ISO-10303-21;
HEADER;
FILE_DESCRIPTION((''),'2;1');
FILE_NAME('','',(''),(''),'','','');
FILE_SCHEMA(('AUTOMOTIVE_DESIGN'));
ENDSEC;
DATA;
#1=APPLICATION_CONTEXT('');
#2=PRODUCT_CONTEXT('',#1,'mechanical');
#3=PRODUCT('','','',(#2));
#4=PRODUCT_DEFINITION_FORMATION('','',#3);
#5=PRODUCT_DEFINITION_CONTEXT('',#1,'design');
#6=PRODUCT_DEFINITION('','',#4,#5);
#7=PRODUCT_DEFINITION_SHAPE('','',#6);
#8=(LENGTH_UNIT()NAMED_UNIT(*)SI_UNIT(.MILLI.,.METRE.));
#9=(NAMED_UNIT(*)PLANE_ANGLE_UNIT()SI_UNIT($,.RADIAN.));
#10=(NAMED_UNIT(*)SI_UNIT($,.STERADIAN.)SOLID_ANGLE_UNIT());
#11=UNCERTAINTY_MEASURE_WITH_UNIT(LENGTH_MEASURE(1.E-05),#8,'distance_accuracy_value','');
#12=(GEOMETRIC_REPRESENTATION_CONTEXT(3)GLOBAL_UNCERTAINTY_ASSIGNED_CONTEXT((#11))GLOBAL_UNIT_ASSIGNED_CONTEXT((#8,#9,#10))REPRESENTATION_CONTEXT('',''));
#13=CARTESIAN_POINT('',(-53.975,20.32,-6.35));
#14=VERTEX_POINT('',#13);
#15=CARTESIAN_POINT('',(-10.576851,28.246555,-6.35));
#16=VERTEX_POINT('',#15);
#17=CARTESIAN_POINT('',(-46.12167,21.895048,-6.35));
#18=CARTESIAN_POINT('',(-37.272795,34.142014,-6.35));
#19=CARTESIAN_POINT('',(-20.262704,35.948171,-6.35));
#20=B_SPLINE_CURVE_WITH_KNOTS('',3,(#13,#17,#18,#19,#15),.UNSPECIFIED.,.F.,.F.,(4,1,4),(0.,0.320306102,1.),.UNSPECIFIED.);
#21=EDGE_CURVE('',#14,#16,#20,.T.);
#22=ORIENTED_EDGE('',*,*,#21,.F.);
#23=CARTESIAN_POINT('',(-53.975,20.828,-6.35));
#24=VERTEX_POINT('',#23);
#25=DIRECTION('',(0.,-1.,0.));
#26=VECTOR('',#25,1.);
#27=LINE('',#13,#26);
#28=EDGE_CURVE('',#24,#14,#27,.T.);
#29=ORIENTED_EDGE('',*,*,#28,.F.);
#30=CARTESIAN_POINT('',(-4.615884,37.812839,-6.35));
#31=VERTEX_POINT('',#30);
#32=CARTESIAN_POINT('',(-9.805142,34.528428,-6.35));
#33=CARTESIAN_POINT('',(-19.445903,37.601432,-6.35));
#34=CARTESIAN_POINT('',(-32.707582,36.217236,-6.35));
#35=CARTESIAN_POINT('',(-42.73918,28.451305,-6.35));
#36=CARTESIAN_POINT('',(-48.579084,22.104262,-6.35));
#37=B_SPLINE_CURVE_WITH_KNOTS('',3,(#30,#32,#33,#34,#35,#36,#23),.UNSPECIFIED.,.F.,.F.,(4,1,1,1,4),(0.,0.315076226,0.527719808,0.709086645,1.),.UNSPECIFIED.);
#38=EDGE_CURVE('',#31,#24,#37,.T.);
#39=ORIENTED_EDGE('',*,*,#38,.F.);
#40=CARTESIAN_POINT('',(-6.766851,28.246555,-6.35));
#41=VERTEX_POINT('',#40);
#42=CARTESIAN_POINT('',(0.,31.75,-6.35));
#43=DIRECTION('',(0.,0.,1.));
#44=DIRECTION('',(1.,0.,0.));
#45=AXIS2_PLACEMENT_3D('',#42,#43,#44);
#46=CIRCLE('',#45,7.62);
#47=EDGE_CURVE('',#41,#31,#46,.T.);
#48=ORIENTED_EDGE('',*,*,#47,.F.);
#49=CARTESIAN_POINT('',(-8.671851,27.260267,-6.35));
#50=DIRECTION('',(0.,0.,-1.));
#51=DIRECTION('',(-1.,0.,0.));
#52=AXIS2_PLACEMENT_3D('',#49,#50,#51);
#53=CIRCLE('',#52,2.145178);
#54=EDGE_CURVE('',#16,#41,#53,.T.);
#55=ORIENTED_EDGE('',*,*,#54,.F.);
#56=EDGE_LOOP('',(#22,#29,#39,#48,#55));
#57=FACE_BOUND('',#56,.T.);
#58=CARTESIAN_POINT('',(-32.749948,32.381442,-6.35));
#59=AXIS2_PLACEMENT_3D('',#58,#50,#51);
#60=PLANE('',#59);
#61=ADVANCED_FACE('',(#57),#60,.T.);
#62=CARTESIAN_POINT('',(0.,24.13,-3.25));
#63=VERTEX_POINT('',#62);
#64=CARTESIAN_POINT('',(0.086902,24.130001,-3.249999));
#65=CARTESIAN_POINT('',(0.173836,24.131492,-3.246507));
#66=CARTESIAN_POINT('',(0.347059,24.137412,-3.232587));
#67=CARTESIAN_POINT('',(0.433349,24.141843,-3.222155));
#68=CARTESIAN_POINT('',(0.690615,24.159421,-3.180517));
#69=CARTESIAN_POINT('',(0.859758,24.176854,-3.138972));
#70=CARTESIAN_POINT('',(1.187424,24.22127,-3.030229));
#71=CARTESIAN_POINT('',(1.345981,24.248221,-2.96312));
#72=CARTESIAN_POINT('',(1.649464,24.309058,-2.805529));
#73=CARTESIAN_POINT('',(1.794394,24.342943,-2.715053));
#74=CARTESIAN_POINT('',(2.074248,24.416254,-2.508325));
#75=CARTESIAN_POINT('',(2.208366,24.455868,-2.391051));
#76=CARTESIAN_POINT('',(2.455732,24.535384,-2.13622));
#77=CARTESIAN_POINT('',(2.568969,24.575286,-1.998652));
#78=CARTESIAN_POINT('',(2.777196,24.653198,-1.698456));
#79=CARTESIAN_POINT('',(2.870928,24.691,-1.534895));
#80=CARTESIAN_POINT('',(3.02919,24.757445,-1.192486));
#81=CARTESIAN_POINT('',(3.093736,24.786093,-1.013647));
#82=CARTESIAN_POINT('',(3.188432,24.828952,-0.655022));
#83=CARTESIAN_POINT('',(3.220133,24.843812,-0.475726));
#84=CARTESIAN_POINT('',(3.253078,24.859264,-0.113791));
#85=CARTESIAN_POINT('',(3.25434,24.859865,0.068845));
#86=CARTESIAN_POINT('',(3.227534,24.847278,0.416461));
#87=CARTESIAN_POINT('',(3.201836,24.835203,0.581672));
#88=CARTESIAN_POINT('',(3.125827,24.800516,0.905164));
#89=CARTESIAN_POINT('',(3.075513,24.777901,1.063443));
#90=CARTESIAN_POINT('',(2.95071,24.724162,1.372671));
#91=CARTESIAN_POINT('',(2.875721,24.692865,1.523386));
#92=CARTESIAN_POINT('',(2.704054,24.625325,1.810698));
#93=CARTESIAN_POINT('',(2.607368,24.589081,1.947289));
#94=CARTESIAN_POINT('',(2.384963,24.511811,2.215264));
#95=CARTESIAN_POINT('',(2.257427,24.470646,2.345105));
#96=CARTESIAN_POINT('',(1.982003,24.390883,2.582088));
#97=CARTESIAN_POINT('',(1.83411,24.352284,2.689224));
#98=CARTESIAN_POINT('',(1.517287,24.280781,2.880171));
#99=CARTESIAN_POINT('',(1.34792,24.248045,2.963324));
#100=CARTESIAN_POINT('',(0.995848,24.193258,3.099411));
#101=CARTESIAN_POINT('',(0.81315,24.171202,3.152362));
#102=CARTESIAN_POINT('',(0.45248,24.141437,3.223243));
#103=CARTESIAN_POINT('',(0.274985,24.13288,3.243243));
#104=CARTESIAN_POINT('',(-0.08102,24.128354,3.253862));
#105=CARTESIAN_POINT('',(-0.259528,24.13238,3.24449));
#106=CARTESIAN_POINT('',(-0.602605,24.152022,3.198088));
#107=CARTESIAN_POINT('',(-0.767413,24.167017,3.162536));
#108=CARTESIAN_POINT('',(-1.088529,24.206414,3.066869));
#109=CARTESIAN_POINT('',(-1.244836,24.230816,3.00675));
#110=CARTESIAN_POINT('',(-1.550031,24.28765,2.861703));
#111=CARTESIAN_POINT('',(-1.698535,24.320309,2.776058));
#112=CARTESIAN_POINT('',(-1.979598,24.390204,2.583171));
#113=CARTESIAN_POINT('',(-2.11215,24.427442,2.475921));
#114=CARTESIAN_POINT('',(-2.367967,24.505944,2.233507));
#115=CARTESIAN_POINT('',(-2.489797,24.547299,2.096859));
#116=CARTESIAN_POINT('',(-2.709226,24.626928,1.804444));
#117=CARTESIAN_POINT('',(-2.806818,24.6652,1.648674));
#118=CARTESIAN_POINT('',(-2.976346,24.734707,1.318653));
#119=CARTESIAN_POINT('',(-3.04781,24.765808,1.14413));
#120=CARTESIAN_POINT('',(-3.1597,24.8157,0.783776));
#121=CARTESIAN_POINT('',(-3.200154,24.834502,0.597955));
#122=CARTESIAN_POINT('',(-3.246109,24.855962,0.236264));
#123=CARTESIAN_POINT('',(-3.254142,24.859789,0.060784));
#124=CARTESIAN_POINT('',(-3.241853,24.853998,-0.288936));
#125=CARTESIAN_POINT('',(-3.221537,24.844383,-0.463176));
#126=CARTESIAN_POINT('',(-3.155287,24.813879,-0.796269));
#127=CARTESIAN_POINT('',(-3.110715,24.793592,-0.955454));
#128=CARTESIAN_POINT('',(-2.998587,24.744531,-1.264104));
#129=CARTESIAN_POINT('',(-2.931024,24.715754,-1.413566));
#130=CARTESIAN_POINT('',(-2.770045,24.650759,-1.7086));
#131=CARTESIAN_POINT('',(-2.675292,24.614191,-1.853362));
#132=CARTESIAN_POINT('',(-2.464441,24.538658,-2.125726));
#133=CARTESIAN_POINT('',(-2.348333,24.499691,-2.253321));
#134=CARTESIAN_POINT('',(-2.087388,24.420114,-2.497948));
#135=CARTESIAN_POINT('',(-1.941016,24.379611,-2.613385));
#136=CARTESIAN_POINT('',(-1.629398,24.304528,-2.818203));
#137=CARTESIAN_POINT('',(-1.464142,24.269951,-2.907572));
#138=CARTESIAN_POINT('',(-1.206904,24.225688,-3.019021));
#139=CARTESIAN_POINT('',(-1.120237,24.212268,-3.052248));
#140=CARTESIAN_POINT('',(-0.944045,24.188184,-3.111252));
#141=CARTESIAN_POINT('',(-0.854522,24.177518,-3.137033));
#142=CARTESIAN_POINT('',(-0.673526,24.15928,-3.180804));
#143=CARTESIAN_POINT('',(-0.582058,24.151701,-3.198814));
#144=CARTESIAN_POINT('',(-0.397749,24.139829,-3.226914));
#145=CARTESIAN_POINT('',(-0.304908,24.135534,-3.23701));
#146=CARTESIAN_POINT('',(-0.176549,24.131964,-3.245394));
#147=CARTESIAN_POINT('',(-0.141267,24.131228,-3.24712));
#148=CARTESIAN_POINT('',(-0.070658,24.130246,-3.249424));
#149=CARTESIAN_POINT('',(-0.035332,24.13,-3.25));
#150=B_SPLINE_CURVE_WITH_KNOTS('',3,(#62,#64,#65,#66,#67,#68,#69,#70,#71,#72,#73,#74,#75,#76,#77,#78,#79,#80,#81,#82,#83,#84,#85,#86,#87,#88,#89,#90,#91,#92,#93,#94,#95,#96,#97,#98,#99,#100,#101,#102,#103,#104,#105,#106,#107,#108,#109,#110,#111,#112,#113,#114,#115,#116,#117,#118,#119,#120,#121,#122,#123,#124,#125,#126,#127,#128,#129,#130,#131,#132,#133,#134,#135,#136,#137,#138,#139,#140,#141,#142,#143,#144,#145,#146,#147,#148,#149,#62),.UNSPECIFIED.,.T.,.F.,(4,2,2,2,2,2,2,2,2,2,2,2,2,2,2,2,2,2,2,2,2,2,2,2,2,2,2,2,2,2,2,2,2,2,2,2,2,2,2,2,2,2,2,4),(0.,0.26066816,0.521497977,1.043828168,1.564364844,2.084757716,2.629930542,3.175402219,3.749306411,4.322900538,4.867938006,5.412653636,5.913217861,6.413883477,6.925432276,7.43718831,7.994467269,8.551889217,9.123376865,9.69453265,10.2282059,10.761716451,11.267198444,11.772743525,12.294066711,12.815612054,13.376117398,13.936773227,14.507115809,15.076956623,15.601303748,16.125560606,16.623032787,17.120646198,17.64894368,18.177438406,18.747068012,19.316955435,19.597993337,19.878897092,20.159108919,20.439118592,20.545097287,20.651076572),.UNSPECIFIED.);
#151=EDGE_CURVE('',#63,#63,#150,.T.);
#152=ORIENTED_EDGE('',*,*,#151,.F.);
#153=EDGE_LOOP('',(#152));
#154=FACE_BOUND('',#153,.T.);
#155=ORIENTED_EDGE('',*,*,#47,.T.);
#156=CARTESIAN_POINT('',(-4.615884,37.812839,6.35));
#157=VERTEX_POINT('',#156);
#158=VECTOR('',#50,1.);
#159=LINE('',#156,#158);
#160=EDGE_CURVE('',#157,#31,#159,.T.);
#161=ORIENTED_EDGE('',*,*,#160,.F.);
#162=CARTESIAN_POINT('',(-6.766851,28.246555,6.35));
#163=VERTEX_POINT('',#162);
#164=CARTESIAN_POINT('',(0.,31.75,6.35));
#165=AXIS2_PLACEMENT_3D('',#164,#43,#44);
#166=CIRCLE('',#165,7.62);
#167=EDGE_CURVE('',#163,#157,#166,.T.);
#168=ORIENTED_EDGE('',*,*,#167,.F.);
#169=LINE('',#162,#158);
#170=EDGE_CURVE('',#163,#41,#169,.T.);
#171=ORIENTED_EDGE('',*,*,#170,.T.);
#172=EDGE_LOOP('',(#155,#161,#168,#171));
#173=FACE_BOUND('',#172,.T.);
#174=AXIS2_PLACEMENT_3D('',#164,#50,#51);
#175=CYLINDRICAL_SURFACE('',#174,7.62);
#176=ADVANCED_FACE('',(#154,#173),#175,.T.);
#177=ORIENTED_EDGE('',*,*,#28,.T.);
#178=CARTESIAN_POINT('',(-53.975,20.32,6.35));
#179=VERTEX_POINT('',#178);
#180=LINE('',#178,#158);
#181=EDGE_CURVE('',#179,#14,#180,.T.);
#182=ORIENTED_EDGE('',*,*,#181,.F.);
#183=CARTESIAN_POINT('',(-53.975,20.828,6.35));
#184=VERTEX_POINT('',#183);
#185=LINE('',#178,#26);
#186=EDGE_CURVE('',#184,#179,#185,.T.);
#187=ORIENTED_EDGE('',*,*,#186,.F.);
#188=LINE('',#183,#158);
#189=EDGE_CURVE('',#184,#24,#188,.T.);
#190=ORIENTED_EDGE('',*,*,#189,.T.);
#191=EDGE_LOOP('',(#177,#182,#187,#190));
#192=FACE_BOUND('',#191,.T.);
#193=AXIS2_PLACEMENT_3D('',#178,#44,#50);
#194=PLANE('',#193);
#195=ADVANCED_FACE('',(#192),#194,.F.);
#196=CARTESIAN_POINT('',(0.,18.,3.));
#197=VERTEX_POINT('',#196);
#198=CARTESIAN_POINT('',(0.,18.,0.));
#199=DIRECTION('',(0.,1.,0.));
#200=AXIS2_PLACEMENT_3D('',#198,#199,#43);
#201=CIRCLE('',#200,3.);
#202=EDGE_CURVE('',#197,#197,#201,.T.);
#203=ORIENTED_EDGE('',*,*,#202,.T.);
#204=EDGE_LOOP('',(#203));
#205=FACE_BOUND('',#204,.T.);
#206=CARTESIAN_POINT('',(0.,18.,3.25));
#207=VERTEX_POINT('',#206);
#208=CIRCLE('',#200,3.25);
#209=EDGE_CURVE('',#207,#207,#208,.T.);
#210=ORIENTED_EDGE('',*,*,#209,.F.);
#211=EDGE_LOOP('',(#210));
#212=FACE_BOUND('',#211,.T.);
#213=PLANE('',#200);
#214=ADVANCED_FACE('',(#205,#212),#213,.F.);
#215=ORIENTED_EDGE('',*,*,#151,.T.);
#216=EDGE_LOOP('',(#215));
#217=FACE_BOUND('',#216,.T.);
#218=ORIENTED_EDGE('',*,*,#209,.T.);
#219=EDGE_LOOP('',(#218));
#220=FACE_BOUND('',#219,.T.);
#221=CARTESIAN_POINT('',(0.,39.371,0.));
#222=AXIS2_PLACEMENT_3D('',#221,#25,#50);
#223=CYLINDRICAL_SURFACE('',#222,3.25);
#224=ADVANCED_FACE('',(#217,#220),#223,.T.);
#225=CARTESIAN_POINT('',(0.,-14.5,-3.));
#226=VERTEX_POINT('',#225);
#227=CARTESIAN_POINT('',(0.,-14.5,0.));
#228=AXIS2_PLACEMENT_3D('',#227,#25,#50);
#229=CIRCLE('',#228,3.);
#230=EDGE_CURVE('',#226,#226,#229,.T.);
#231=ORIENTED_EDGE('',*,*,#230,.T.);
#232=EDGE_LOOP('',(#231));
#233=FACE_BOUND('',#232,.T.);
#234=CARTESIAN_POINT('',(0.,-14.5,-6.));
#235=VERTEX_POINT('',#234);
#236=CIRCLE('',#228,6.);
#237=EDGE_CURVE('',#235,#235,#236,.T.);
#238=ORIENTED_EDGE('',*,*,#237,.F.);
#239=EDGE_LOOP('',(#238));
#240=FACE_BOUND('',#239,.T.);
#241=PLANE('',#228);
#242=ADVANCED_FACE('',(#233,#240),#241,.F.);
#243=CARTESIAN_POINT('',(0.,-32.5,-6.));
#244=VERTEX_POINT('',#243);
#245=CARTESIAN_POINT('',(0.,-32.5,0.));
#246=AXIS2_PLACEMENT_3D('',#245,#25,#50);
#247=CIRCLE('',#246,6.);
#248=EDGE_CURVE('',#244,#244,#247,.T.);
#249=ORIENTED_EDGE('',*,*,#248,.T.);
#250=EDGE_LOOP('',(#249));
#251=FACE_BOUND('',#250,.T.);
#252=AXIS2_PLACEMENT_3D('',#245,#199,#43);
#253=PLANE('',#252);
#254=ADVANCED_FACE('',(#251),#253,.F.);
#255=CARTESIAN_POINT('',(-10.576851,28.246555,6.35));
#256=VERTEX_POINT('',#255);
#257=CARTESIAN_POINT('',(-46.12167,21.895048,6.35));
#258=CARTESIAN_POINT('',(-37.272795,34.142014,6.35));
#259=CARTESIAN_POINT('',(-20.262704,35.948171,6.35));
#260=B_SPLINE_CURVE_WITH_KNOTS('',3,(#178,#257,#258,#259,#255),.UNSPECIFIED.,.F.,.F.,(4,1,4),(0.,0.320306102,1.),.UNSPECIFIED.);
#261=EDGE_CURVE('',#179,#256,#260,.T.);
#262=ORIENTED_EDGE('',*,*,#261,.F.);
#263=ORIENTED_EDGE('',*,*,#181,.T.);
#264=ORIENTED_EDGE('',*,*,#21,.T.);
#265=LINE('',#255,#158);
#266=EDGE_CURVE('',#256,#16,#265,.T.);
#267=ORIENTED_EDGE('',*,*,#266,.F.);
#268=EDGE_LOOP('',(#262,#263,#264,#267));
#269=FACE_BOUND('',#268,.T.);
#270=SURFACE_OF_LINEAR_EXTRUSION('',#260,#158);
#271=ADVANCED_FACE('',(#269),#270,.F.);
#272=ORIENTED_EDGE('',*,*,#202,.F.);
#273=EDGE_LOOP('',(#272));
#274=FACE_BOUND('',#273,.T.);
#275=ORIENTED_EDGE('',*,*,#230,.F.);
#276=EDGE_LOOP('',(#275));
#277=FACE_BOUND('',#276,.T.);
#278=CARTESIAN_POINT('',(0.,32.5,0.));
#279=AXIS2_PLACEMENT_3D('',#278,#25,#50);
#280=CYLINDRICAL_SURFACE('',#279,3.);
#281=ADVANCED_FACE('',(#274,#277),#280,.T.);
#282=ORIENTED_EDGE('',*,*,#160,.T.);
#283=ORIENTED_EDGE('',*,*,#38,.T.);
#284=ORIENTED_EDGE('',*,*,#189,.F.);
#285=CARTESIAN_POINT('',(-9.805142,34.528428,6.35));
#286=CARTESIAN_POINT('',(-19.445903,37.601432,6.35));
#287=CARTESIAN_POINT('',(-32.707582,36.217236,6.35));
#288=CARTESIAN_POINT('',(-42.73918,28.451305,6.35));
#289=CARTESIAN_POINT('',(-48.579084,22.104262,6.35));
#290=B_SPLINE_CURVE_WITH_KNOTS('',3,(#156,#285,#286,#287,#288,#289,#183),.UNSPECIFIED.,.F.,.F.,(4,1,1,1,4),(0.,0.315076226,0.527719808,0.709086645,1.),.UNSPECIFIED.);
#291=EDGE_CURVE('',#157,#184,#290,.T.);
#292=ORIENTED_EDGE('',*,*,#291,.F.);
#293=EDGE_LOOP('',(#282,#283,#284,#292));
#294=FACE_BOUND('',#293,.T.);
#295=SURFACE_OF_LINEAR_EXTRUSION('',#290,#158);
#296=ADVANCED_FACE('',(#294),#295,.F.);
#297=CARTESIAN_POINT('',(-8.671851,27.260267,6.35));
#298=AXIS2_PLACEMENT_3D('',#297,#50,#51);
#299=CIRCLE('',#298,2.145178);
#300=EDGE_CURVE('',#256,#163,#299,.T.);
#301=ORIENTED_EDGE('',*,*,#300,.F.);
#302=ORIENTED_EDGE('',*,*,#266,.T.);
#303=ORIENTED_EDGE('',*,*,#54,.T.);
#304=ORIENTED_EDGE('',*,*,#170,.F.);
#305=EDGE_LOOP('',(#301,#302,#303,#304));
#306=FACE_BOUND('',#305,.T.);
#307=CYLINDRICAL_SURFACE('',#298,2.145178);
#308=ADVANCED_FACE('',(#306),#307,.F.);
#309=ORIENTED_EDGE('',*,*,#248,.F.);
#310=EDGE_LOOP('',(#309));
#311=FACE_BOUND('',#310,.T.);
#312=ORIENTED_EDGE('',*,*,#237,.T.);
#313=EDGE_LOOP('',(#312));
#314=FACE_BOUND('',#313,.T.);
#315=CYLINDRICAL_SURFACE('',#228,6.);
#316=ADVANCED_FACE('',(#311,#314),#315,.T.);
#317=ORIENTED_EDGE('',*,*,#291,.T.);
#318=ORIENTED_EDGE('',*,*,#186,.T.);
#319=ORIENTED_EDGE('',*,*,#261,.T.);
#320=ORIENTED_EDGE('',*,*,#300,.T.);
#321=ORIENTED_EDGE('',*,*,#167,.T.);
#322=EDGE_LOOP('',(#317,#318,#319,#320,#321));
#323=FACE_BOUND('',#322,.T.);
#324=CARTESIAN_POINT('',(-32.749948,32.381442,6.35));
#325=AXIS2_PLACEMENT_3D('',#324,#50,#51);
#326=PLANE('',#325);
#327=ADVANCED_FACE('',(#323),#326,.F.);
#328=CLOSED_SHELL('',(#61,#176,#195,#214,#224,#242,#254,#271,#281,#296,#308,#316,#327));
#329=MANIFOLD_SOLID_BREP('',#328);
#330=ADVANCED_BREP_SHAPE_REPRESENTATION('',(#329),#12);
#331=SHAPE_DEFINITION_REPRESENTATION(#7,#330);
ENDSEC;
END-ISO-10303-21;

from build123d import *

# Parameters (mm, degrees)
SKETCH1_R                = 3
BOSS_EXTRUDE1_DEPTH      = 32.5
BOSS_EXTRUDE2_DEPTH      = 6.35
BOSS_EXTRUDE3_REACH      = 87.109
BOSS_EXTRUDE3_END_RADIUS = 7.62
BOSS_EXTRUDE3_START      = 18
SKETCH3_R                = 3.25
SKETCH4_R                = 6
BOSS_EXTRUDE4_DEPTH      = 18


with BuildPart() as part:
    # Sketch1 → Boss-Extrude1 (new, symmetric)
    with BuildSketch(Plane(origin=(0, 0, 0), x_dir=(1, 0, 0), z_dir=(0, 1, 0))):
        with Locations(Location((0, 0, 0), (0, 0, 270))):
            Circle(SKETCH1_R)
    extrude(amount=BOSS_EXTRUDE1_DEPTH, both=True)

    # Sketch2 → Boss-Extrude2 (add, symmetric)
    with BuildSketch(Plane.XY):
        with BuildLine():
            Line((-53.975, 20.32), (-53.975, 20.828))
            add(Edge.make_bspline(
                [(-53.975, 20.828), (-48.579084473, 22.104261863), (-42.739180184, 28.451304863), (-32.707581635, 36.217235943), (-19.445903171, 37.601432098), (-9.805142387, 34.528428283), (-4.615884318, 37.812838606)],
                knots=[0, 0, 0, 0, 0.290913355, 0.472280192, 0.684923774, 1, 1, 1, 1], degree=3))
            ThreePointArc((-4.615884318, 37.812838606), (7.434387163, 30.07838775), (-6.766850807, 28.24655453))
            ThreePointArc((-6.766850807, 28.24655453), (-8.671850807, 29.405444626), (-10.576850807, 28.24655453))
            add(Edge.make_bspline(
                [(-53.975, 20.32), (-46.121670197, 21.895048491), (-37.272795223, 34.142014089), (-20.262703733, 35.94817115), (-10.576850807, 28.24655453)],
                knots=[0, 0, 0, 0, 0.320306102, 1, 1, 1, 1], degree=3))
        make_face()
    extrude(amount=BOSS_EXTRUDE2_DEPTH, both=True)

    # Boss-Extrude3: up to this cylinder (the profile starts outside it)
    boss_extrude3_end = Plane(origin=(0, 31.75, 0), z_dir=(0, 0, -1)) * Cylinder(BOSS_EXTRUDE3_END_RADIUS, 190.458, mode=Mode.PRIVATE)
    # Sketch3 → Boss-Extrude3 (add, up to the surface)
    with BuildSketch(Plane(origin=(0, 0, 0), x_dir=(1, 0, 0), z_dir=(0, 1, 0)).offset(BOSS_EXTRUDE3_START), mode=Mode.PRIVATE) as boss_extrude3_sk1:
        with Locations(Location((0, 0, 0), (0, 0, 90))):
            Circle(SKETCH3_R)
    boss_extrude3_tool1 = extrude(boss_extrude3_sk1.sketch, amount=BOSS_EXTRUDE3_REACH, mode=Mode.PRIVATE) - boss_extrude3_end
    add(boss_extrude3_tool1.solids().sort_by_distance((0, 18, 0))[0])

    # Sketch4 → Boss-Extrude4 (add)
    with BuildSketch(Plane.XZ.offset(32.5)):
        with Locations(Location((0, 0, 0), (0, 0, 270))):
            Circle(SKETCH4_R)
    extrude(amount=-BOSS_EXTRUDE4_DEPTH)


solid = part.part
